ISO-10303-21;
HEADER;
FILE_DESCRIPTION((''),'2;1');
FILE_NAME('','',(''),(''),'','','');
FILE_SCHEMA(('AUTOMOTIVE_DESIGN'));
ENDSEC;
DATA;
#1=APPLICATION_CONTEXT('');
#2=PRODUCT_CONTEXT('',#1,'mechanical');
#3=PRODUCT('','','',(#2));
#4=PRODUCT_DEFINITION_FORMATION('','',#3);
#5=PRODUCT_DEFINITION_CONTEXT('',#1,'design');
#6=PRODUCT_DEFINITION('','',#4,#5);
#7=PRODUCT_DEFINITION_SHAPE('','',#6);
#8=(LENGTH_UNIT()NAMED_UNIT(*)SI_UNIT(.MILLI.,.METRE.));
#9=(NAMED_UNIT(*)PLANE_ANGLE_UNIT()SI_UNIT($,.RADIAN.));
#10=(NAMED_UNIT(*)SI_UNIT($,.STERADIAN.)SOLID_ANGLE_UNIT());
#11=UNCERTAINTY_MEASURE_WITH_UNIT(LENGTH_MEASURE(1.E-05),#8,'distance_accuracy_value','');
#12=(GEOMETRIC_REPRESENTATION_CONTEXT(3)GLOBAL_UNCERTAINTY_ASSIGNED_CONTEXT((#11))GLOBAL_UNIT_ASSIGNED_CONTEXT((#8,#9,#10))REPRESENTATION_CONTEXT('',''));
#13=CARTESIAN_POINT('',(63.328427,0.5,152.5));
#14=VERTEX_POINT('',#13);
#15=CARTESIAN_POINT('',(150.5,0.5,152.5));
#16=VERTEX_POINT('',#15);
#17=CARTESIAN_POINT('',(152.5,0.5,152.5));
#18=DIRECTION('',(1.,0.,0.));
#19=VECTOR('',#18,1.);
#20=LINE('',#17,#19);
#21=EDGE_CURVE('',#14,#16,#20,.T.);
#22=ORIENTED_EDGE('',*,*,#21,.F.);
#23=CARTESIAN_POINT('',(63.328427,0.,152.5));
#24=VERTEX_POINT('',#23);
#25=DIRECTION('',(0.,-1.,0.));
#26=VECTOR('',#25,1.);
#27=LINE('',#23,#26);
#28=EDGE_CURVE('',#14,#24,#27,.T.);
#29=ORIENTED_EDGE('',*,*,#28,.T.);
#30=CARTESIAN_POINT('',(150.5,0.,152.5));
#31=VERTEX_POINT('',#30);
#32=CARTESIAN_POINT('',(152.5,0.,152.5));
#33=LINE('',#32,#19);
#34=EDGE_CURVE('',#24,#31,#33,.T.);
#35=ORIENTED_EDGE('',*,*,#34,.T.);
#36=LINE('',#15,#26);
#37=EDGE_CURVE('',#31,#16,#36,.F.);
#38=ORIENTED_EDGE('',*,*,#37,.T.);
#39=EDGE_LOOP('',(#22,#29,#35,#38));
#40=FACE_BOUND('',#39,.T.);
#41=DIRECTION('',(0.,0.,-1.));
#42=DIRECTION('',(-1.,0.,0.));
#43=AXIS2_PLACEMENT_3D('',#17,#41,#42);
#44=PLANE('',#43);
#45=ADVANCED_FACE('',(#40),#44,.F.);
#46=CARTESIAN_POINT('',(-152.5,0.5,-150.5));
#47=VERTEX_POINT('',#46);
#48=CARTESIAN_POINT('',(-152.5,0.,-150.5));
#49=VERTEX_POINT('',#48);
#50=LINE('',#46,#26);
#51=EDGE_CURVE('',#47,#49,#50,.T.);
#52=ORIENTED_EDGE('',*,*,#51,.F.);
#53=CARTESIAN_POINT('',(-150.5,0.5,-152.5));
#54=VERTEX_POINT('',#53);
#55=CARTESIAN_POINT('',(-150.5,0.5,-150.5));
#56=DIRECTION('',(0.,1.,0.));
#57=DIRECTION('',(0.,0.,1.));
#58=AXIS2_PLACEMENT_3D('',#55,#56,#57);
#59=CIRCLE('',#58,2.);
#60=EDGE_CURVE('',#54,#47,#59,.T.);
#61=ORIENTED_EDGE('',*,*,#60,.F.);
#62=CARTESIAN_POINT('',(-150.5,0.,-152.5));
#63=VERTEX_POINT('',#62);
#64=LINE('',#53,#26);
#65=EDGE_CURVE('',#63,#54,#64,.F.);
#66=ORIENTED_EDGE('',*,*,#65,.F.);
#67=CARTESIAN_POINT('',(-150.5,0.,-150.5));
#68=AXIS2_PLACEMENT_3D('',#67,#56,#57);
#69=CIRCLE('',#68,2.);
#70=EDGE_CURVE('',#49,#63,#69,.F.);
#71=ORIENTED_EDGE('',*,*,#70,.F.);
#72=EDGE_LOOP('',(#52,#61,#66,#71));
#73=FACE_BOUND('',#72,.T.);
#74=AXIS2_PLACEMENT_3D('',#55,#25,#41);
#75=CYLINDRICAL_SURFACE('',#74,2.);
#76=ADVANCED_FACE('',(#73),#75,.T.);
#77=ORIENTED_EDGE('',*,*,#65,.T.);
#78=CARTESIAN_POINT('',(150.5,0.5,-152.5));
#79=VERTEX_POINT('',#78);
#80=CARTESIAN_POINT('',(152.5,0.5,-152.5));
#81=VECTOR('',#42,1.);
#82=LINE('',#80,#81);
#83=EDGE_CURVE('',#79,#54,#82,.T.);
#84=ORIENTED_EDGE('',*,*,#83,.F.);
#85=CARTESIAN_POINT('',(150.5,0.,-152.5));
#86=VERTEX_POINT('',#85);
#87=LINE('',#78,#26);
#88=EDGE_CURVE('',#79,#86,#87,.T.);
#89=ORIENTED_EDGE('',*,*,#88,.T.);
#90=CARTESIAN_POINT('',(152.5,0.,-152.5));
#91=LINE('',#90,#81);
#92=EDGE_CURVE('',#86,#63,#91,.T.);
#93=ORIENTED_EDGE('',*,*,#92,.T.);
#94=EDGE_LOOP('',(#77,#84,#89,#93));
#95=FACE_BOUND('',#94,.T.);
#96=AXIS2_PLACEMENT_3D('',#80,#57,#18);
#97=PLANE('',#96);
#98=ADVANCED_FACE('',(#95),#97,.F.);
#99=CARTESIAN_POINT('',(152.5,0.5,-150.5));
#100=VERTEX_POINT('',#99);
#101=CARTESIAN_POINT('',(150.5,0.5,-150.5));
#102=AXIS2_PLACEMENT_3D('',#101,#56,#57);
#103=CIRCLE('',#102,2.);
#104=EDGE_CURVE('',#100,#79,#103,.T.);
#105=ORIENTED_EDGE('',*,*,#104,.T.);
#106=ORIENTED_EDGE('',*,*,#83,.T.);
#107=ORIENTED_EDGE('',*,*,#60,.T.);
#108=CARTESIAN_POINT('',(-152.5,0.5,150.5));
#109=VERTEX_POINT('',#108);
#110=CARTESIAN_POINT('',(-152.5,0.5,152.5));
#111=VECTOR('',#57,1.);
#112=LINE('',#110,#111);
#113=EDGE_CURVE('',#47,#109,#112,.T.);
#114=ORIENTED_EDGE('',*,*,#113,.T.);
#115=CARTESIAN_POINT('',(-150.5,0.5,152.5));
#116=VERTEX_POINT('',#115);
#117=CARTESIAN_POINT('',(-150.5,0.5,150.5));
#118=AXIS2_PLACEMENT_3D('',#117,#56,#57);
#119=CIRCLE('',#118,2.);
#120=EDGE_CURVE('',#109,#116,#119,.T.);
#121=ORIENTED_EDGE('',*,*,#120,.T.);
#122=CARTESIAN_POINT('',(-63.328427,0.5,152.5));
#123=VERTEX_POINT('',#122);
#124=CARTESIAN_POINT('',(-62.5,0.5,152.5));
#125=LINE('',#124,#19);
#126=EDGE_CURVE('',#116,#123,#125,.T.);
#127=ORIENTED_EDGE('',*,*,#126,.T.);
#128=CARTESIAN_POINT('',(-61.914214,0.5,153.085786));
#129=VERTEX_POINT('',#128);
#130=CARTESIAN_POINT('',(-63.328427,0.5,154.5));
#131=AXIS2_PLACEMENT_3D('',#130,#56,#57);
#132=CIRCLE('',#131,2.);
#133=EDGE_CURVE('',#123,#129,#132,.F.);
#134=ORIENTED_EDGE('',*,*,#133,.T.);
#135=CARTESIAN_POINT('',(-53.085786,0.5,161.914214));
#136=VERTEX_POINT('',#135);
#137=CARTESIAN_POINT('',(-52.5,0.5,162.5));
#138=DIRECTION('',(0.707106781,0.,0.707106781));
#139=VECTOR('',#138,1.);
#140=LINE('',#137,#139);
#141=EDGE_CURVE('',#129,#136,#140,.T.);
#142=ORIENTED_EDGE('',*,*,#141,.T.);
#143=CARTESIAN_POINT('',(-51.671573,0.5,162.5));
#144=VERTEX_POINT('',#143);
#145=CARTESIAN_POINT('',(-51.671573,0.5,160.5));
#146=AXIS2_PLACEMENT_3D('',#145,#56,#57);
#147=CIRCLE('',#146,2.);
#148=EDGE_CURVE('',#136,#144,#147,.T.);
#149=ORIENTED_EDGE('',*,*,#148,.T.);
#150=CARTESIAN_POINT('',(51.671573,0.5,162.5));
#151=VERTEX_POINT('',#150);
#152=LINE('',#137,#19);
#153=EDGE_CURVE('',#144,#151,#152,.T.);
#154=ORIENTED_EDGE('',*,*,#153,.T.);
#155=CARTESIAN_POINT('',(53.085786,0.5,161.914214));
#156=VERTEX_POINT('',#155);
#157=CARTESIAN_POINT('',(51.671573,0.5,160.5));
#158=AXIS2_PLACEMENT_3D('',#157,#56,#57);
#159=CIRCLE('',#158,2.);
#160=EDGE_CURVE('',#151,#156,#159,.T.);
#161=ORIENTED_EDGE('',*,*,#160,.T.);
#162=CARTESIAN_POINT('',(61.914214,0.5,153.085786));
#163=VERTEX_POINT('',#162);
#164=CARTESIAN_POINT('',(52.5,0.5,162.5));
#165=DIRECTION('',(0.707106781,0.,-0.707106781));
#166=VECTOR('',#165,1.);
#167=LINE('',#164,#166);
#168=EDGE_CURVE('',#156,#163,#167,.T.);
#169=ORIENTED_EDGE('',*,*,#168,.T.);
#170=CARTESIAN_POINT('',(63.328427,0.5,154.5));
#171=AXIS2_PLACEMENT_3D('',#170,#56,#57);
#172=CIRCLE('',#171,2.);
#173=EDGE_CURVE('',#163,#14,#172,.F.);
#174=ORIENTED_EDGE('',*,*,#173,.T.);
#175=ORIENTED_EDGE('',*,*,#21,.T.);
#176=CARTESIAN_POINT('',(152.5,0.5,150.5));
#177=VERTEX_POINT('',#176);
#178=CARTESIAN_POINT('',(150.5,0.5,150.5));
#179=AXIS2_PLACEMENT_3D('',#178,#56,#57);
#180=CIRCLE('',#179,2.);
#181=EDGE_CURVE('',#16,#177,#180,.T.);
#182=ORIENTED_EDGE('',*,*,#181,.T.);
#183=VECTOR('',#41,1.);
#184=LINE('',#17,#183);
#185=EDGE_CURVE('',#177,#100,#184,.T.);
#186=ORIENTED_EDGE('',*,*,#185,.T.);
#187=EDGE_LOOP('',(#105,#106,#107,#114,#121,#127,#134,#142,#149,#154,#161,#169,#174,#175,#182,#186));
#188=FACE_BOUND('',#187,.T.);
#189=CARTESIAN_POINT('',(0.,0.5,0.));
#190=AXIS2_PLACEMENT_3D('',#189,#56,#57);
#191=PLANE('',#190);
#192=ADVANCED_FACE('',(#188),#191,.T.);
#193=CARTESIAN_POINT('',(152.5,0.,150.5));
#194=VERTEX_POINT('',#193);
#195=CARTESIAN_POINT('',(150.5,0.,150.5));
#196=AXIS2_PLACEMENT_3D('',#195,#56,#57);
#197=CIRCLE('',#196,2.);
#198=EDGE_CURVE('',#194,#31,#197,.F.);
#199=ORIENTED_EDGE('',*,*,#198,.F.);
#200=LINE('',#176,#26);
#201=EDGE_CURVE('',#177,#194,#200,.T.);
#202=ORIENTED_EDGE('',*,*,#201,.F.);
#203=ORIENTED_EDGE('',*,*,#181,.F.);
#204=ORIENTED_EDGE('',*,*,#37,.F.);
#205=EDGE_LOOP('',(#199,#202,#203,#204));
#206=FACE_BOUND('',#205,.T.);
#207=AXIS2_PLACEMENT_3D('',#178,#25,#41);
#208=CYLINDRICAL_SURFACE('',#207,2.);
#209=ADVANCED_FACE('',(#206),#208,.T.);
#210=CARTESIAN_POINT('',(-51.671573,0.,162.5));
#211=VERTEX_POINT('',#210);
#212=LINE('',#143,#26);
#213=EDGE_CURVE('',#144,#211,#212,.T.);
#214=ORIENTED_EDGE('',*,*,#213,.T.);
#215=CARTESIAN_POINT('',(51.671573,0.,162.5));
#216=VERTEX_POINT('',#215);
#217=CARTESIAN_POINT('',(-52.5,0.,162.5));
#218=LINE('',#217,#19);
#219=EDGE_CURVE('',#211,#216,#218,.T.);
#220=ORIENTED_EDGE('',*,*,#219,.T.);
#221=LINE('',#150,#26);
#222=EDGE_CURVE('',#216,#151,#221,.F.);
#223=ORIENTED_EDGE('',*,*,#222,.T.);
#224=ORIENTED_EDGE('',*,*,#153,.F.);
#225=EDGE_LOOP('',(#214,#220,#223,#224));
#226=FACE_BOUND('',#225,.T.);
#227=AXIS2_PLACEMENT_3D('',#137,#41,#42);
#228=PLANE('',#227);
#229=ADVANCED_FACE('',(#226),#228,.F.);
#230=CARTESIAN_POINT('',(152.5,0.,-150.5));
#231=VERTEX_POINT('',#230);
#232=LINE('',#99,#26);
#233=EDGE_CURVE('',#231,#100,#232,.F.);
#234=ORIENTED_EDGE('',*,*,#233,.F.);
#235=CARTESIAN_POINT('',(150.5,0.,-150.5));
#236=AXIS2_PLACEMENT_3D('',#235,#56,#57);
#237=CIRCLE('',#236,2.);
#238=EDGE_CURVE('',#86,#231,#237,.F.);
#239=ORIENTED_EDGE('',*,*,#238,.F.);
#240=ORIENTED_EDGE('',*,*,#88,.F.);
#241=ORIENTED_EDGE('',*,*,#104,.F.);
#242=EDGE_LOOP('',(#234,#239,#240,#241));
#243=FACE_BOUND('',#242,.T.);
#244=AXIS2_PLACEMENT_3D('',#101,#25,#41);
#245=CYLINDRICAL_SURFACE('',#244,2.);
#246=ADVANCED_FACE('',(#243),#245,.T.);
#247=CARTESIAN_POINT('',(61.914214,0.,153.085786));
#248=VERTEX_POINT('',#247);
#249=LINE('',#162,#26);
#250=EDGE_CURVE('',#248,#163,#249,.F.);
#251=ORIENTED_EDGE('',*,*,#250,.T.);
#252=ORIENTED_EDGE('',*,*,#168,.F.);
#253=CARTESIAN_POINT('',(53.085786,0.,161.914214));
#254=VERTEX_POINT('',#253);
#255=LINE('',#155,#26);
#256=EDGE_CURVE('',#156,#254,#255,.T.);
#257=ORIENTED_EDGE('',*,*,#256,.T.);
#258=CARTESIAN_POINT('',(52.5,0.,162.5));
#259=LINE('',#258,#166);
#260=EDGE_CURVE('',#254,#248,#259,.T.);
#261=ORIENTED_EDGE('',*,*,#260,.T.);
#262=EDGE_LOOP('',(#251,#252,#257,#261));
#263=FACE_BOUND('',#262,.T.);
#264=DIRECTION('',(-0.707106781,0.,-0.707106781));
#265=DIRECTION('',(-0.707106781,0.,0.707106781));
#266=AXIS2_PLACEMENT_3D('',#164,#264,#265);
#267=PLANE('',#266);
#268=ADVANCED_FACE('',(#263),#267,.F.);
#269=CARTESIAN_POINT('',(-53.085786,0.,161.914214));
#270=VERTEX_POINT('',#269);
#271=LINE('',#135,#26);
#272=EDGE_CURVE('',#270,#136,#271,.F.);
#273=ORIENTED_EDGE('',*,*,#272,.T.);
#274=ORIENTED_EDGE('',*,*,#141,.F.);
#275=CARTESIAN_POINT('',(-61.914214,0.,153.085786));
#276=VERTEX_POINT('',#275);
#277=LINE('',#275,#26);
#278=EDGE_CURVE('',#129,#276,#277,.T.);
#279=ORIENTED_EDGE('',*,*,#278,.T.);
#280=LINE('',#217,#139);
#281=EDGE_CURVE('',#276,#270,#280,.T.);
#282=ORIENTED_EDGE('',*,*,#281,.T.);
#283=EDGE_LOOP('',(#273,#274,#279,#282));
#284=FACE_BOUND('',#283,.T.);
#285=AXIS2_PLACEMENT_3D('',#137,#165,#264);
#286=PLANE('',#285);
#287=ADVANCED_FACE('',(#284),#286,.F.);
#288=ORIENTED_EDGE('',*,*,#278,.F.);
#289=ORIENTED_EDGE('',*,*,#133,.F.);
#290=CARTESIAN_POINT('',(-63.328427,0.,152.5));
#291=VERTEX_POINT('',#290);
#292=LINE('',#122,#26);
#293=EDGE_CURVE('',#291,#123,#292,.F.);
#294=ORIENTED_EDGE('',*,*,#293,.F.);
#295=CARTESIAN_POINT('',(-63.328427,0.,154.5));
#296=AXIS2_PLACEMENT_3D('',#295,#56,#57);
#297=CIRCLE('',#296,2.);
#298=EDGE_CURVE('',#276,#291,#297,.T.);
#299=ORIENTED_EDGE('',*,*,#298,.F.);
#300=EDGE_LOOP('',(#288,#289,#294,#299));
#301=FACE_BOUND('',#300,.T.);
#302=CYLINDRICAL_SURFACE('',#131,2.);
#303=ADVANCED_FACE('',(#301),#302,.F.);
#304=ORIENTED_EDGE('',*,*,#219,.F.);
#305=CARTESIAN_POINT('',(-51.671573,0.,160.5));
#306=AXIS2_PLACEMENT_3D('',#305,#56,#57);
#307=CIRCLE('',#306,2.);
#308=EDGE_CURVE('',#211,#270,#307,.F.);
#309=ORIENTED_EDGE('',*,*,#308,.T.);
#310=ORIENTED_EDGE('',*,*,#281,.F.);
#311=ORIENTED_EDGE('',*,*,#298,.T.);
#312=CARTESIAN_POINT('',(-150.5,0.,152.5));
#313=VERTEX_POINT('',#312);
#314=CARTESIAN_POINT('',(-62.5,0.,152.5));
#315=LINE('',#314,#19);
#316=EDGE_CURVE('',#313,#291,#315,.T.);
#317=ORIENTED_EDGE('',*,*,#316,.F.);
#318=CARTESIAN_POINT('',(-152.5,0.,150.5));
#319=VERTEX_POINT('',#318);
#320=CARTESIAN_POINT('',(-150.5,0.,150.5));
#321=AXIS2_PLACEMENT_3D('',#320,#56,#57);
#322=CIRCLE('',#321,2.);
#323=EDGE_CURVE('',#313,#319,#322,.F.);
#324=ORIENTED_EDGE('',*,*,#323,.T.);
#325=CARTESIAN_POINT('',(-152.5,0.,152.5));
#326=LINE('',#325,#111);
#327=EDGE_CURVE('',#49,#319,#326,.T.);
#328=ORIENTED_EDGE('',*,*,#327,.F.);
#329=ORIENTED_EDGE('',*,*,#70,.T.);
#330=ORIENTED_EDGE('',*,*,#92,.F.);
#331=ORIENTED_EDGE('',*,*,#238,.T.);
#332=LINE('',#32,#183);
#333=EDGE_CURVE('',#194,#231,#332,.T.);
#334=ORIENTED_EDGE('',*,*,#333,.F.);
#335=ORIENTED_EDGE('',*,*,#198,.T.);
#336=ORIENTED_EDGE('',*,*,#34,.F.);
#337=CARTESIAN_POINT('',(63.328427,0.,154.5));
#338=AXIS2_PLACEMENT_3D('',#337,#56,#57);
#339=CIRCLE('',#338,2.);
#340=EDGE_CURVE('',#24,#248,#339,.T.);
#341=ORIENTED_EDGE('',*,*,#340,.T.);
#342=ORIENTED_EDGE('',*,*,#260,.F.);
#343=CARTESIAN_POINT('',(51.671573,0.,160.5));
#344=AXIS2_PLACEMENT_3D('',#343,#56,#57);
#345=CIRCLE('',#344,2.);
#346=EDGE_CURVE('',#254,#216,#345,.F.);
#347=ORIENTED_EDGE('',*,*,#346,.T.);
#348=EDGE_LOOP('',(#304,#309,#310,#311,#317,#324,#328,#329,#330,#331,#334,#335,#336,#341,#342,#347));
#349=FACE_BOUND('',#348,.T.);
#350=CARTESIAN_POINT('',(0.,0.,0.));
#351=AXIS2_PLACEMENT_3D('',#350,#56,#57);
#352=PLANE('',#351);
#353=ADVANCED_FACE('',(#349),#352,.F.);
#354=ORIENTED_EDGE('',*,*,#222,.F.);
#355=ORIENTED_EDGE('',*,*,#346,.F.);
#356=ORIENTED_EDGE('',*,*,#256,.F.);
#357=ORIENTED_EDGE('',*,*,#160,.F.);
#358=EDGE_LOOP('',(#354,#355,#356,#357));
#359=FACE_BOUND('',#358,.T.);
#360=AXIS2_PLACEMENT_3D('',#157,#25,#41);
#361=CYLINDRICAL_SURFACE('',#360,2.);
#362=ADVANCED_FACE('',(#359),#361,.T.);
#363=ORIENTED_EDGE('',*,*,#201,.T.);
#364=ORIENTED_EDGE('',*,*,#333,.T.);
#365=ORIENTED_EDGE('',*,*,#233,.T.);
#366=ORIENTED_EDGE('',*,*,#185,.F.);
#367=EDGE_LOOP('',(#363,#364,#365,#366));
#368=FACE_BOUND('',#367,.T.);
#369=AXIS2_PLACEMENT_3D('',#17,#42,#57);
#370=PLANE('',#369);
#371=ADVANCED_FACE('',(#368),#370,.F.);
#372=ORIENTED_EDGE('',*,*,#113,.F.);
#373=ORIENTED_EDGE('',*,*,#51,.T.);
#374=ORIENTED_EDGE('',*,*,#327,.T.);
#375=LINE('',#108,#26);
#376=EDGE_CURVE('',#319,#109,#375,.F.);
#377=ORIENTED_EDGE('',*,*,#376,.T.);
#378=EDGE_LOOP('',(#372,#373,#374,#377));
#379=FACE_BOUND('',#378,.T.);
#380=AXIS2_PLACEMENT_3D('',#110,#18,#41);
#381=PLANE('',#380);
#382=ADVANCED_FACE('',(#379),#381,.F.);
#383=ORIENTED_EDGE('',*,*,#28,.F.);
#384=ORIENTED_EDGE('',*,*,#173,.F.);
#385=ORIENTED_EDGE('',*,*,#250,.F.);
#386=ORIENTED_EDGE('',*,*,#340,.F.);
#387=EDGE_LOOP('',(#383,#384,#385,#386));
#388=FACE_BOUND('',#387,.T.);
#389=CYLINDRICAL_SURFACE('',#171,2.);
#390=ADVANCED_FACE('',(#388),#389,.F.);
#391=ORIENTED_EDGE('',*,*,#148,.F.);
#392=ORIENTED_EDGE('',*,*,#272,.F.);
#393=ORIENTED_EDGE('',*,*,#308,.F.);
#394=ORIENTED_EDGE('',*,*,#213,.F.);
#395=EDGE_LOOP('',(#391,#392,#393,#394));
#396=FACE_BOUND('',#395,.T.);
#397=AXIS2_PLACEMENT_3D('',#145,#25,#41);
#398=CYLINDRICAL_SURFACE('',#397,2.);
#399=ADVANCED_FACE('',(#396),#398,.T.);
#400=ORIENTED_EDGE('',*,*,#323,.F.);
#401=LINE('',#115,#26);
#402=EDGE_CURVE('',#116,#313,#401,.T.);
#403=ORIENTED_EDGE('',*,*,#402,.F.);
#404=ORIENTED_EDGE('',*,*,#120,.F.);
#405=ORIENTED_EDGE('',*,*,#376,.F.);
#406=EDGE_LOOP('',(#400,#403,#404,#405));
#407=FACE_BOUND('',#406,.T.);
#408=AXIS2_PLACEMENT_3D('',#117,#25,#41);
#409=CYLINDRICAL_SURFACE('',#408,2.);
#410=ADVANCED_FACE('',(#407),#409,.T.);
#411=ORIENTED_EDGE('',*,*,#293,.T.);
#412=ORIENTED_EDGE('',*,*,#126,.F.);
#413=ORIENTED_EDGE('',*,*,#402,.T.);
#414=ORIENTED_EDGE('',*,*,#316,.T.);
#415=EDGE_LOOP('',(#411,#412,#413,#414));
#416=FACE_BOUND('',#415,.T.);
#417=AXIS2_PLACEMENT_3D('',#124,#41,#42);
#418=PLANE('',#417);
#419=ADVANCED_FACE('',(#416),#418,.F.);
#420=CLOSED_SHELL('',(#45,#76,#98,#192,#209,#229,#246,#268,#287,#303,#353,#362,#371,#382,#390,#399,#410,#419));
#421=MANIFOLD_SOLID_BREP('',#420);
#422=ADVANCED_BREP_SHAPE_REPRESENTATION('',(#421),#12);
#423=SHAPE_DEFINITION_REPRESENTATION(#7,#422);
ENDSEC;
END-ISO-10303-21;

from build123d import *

# Parameters (mm, degrees)
BOSS_EXTRUDE1_DEPTH = 0.5
FILLET1_R           = 2


with BuildPart() as part:
    # Sketch1 → Boss-Extrude1 (new body)
    with BuildSketch(Plane(origin=(0, 0, 0), x_dir=(1, 0, 0), z_dir=(0, 1, 0))):
        Polygon((-52.5, -162.5), (52.5, -162.5), (62.5, -152.5), (152.5, -152.5), (152.5, 152.5), (-152.5, 152.5), (-152.5, -152.5), (-62.5, -152.5), align=None)
    extrude(amount=BOSS_EXTRUDE1_DEPTH)

    # Fillet1
    fillet1_edges = [part.edges().sort_by_distance(p)[0] for p in [
        (-152.5, 0.25, -152.5),
        (152.5, 0.25, -152.5),
        (152.5, 0.25, 152.5),
        (62.5, 0.25, 152.5),
        (52.5, 0.25, 162.5),
        (-52.5, 0.25, 162.5),
        (-62.5, 0.25, 152.5),
        (-152.5, 0.25, 152.5),
    ]]
    fillet(fillet1_edges, radius=FILLET1_R)


solid = part.part
